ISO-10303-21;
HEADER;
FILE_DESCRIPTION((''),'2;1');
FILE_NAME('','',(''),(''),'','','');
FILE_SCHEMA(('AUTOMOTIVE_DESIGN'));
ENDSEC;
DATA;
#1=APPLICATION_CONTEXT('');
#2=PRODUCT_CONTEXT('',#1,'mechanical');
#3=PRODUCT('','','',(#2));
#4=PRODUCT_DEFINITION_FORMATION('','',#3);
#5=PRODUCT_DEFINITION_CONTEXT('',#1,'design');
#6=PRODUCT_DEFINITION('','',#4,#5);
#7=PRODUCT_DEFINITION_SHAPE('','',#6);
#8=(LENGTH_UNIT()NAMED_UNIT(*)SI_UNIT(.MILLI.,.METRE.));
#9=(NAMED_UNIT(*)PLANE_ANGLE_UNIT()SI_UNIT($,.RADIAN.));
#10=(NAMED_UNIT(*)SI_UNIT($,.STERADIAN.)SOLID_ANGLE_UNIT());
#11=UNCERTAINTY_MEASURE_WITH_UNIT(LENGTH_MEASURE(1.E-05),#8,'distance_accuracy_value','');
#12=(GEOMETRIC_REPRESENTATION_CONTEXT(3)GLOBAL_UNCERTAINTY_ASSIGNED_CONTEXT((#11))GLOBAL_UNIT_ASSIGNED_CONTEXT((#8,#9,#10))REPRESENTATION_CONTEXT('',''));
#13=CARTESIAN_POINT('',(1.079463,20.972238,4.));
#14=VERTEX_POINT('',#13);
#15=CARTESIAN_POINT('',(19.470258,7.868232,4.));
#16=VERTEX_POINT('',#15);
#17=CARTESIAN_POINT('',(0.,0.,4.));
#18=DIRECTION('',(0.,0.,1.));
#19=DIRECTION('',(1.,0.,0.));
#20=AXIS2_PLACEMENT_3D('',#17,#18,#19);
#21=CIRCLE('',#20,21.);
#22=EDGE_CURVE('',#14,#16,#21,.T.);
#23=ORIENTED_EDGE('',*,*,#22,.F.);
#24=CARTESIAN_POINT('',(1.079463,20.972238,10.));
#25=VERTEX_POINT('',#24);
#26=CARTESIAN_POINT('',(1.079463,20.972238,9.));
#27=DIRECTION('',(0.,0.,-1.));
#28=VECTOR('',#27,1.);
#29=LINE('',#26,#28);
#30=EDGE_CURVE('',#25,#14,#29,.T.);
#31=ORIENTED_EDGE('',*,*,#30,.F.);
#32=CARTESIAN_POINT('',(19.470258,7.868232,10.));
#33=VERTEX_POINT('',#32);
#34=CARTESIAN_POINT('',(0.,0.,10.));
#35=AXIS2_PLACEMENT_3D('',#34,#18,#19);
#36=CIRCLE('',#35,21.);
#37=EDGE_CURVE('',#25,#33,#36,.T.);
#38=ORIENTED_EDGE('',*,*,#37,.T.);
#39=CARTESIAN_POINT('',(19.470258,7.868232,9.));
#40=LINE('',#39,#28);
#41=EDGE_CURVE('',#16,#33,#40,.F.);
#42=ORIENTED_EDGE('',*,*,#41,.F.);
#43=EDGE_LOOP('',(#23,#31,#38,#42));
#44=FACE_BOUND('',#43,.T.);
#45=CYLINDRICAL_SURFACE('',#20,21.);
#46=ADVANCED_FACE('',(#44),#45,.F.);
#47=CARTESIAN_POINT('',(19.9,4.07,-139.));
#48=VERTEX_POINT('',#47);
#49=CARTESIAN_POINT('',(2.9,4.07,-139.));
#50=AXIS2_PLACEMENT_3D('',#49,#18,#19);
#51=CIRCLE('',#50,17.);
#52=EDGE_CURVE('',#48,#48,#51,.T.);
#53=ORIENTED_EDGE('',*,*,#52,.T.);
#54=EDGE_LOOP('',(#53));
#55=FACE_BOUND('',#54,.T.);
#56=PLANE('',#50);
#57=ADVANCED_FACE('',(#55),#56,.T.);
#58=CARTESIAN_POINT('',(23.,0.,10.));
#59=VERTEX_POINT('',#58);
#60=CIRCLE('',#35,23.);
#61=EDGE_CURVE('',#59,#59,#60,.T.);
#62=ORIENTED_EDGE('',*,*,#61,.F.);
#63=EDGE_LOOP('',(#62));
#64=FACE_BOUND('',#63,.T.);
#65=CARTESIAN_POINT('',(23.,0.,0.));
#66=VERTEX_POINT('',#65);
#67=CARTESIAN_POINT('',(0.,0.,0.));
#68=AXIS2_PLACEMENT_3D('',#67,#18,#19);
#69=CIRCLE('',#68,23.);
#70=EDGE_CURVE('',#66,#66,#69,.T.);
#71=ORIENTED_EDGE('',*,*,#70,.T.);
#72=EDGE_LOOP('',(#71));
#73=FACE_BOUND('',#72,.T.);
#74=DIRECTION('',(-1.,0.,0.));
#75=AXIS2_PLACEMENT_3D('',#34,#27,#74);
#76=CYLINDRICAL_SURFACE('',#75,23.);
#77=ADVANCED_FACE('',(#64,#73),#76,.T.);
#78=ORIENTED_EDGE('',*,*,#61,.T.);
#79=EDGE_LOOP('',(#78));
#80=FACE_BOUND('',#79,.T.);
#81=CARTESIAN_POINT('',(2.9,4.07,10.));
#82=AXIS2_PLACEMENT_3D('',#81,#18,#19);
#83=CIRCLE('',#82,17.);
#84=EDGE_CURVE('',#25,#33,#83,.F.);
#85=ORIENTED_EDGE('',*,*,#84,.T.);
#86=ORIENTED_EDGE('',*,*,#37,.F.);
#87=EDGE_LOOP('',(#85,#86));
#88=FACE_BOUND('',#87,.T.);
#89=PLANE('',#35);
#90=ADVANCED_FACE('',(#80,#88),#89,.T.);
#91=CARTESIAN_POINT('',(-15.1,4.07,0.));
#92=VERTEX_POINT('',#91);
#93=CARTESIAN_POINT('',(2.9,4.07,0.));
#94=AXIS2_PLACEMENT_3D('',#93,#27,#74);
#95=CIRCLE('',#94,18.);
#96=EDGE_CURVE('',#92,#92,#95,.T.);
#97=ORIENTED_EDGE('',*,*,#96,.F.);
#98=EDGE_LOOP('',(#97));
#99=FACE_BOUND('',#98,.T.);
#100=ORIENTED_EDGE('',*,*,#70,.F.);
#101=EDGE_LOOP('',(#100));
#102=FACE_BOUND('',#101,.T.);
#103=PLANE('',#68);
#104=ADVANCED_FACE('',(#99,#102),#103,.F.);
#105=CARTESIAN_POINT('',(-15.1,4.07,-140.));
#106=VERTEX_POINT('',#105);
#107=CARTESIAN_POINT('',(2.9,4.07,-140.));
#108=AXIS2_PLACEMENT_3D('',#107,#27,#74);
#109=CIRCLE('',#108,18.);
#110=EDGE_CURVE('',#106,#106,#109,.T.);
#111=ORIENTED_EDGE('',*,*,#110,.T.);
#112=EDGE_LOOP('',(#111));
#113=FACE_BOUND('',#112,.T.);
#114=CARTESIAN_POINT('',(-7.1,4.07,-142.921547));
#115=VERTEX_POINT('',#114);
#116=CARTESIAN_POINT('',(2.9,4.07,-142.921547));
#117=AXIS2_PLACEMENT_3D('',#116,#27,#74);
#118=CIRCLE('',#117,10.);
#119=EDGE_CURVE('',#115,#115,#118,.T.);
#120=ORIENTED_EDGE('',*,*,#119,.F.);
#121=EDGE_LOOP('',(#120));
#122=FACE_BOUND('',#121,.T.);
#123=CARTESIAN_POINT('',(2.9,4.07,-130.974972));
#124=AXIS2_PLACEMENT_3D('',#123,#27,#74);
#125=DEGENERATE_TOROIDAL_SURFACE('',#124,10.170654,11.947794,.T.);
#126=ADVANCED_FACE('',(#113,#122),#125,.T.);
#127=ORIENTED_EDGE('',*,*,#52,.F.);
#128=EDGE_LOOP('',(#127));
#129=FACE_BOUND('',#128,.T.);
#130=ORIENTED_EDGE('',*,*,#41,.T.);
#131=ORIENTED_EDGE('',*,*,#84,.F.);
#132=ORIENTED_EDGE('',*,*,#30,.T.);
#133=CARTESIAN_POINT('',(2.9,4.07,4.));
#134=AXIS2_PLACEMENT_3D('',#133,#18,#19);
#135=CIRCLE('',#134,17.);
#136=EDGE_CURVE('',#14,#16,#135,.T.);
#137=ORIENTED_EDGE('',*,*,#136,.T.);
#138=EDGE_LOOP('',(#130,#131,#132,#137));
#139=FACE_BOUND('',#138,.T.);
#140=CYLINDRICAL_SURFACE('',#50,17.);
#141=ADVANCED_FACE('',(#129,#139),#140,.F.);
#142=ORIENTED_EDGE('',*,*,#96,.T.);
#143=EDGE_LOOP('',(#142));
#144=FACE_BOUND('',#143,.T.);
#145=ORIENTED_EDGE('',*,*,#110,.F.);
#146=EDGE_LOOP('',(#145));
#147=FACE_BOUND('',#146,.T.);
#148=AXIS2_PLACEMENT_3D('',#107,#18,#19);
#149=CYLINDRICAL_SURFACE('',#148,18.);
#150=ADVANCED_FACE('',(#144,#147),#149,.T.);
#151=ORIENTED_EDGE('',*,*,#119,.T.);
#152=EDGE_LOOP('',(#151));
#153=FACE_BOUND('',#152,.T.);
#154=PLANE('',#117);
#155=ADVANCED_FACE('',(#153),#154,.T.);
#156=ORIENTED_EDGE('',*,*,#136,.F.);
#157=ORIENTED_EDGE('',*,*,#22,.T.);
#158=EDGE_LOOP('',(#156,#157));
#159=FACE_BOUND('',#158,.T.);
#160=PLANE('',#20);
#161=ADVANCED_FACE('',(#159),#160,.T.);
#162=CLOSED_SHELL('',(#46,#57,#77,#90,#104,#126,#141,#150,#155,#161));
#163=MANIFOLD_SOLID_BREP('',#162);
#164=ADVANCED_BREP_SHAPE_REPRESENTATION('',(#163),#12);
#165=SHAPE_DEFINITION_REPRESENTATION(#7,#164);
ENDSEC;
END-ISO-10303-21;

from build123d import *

# Parameters (mm, degrees)
SKETCH1_R           = 23
BOSS_EXTRUDE1_DEPTH = 10
SKETCH2_R           = 18
BOSS_EXTRUDE2_DEPTH = 140
SKETCH3_R           = 21
CUT_EXTRUDE1_DEPTH  = 6
SKETCH4_R           = 17
CUT_EXTRUDE2_DEPTH  = 143
CUT_EXTRUDE3_START  = 10
SKETCH5_R           = 17
CUT_EXTRUDE3_DEPTH  = 10


with BuildPart() as part:
    # Sketch1 → Boss-Extrude1 (new body)
    with BuildSketch(Plane.XY):
        Circle(SKETCH1_R)
    extrude(amount=BOSS_EXTRUDE1_DEPTH)

    # Sketch2 → Boss-Extrude2 (add)
    with BuildSketch(Plane(origin=(0, 0, 0), x_dir=(-1, 0, 0), z_dir=(0, 0, -1))):
        with Locations((-2.9, 4.07)):
            Circle(SKETCH2_R)
    extrude(amount=BOSS_EXTRUDE2_DEPTH)

    # Sketch3 → Cut-Extrude1 (cut)
    with BuildSketch(Plane.XY.offset(10)):
        Circle(SKETCH3_R)
    extrude(amount=-CUT_EXTRUDE1_DEPTH, mode=Mode.SUBTRACT)

    # Sketch4 → Cut-Extrude2 (cut)
    with BuildSketch(Plane.XY.offset(4)):
        with Locations((2.9, 4.07)):
            Circle(SKETCH4_R)
    extrude(amount=-CUT_EXTRUDE2_DEPTH, mode=Mode.SUBTRACT)

    # Sketch5 → Cut-Extrude3 (cut)
    with BuildSketch(Plane.XY.offset(4).offset(CUT_EXTRUDE3_START)):
        with Locations((2.9, 4.07)):
            Circle(SKETCH5_R)
    extrude(amount=-CUT_EXTRUDE3_DEPTH, mode=Mode.SUBTRACT)

    # Sketch6 → Revolve1 (revolve)
    with BuildSketch(Plane(origin=(0, 4.07, 0), x_dir=(1, 0, 0), z_dir=(0, 1, 0))):
        with BuildLine():
            Line((2.9, 142.921547381), (-7.1, 142.921547381))
            ThreePointArc((-7.1, 142.921547381), (-11.369159906, 142.197807517), (-15.1, 140))
            Line((-15.1, 140), (2.9, 140))
            Line((2.9, 140), (2.9, 142.921547381))
        make_face()
    revolve(axis=Axis((2.9, 4.07, -149.3931931), (0, 0, 1)))


solid = part.part
